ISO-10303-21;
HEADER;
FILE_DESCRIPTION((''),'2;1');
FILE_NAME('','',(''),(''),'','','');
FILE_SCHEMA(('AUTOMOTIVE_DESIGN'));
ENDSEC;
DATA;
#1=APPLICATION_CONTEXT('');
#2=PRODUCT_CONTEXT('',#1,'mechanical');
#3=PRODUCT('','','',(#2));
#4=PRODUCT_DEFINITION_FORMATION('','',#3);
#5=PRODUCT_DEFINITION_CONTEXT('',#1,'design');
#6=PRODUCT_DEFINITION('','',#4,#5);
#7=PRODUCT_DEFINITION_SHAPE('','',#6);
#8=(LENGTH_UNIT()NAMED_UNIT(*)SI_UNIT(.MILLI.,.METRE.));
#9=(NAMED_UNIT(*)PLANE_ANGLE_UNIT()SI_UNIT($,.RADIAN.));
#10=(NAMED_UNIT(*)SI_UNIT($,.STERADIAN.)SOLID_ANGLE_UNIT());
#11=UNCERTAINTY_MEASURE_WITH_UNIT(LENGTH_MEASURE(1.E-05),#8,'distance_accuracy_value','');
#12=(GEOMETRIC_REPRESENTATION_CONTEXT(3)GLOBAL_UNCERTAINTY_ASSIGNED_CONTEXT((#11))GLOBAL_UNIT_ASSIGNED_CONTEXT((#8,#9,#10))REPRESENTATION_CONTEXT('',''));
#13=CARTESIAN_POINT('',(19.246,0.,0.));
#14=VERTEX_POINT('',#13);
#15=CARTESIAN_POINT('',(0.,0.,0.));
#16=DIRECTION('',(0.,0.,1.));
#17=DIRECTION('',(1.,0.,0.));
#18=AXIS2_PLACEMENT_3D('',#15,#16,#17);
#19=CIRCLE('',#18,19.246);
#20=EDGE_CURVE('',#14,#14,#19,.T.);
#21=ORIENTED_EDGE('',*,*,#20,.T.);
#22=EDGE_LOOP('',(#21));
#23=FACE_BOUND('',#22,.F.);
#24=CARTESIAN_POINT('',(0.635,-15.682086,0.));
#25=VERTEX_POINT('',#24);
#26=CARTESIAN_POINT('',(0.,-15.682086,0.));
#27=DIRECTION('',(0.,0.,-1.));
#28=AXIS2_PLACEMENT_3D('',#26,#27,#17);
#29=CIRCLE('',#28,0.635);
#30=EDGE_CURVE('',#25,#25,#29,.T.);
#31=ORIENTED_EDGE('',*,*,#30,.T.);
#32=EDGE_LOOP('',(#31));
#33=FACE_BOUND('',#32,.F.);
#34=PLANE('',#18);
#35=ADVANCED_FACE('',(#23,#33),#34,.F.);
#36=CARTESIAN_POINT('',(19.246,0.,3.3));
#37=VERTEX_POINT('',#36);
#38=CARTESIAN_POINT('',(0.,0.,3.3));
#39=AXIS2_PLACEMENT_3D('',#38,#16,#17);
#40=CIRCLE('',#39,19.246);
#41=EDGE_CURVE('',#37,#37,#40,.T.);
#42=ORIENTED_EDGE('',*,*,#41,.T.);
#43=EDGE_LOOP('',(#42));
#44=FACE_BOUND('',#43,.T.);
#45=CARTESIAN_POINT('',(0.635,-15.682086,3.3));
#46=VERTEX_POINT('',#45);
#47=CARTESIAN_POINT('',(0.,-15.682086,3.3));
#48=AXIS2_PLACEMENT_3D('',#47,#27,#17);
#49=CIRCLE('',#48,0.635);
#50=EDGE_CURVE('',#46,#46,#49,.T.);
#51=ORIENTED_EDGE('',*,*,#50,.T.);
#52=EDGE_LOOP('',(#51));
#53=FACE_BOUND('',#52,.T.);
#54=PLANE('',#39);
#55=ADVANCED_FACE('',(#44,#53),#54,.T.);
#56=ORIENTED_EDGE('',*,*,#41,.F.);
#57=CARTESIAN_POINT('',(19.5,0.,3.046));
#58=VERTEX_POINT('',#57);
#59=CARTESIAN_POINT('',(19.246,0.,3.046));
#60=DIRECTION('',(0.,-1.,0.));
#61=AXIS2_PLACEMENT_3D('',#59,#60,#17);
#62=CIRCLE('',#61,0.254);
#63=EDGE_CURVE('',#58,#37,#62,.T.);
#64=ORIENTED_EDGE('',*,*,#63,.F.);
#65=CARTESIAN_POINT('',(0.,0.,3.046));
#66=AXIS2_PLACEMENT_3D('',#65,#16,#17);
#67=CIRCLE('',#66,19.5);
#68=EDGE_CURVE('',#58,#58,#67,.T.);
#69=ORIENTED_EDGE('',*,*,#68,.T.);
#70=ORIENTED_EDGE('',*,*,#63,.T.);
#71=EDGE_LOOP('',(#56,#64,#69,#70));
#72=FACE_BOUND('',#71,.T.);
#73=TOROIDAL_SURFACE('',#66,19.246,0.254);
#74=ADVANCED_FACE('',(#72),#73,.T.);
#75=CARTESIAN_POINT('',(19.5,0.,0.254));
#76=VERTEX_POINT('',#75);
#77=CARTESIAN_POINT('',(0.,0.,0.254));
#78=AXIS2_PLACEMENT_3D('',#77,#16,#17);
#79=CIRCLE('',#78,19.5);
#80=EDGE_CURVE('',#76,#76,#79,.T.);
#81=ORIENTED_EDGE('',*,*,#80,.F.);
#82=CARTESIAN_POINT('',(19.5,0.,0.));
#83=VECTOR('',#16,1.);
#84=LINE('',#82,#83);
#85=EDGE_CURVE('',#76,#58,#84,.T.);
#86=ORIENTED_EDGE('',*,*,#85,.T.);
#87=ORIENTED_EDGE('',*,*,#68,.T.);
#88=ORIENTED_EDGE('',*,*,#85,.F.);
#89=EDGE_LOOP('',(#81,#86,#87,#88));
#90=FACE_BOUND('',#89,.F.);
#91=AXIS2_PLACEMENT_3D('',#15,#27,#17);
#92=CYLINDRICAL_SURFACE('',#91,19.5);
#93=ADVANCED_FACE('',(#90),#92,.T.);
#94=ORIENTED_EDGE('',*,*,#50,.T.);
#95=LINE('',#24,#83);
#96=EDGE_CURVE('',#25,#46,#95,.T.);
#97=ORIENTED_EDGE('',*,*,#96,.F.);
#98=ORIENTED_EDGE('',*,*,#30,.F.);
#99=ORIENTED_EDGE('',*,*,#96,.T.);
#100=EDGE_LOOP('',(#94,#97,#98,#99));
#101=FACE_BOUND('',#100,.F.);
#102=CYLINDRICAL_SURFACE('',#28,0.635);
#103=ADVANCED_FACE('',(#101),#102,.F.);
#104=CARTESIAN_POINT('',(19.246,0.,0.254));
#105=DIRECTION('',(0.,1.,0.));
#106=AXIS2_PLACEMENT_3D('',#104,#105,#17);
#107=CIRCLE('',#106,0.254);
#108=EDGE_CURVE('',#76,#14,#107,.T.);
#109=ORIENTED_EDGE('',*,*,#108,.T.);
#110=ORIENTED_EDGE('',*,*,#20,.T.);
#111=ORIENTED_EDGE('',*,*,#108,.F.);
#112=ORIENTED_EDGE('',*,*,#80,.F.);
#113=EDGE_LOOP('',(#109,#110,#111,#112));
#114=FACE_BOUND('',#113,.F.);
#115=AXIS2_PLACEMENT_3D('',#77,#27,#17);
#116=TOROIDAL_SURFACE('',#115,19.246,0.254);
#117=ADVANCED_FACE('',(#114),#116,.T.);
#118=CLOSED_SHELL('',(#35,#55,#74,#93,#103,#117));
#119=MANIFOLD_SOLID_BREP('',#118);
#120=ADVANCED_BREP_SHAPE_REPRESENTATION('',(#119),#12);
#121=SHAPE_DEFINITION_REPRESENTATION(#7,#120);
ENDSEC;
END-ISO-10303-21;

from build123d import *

# Parameters (mm, degrees)
F0_R     = 19.5
F1_DEPTH = 3.3
F2_R     = 0.254
F3_R     = 0.635
F4_DEPTH = 4


with BuildPart() as f1:
    # F0 (on Top) → F1 (new body)
    with BuildSketch(Plane.XY):
        Circle(F0_R)
    extrude(amount=F1_DEPTH)

    # F2
    f2_edges = [f1.edges().sort_by_distance(p)[0] for p in [
        (-19.5, 0, 3.3),
        (-19.5, 0, 0),
    ]]
    fillet(f2_edges, radius=F2_R)

    # F3 (on face) → F4 (cut)
    with BuildSketch(Plane(origin=(0, 0, 0), x_dir=(1, 0, 0), z_dir=(0, 0, -1))):
        with Locations((0, 15.682086)):
            Circle(F3_R)
    extrude(amount=-F4_DEPTH, mode=Mode.SUBTRACT)


solid = f1.part
